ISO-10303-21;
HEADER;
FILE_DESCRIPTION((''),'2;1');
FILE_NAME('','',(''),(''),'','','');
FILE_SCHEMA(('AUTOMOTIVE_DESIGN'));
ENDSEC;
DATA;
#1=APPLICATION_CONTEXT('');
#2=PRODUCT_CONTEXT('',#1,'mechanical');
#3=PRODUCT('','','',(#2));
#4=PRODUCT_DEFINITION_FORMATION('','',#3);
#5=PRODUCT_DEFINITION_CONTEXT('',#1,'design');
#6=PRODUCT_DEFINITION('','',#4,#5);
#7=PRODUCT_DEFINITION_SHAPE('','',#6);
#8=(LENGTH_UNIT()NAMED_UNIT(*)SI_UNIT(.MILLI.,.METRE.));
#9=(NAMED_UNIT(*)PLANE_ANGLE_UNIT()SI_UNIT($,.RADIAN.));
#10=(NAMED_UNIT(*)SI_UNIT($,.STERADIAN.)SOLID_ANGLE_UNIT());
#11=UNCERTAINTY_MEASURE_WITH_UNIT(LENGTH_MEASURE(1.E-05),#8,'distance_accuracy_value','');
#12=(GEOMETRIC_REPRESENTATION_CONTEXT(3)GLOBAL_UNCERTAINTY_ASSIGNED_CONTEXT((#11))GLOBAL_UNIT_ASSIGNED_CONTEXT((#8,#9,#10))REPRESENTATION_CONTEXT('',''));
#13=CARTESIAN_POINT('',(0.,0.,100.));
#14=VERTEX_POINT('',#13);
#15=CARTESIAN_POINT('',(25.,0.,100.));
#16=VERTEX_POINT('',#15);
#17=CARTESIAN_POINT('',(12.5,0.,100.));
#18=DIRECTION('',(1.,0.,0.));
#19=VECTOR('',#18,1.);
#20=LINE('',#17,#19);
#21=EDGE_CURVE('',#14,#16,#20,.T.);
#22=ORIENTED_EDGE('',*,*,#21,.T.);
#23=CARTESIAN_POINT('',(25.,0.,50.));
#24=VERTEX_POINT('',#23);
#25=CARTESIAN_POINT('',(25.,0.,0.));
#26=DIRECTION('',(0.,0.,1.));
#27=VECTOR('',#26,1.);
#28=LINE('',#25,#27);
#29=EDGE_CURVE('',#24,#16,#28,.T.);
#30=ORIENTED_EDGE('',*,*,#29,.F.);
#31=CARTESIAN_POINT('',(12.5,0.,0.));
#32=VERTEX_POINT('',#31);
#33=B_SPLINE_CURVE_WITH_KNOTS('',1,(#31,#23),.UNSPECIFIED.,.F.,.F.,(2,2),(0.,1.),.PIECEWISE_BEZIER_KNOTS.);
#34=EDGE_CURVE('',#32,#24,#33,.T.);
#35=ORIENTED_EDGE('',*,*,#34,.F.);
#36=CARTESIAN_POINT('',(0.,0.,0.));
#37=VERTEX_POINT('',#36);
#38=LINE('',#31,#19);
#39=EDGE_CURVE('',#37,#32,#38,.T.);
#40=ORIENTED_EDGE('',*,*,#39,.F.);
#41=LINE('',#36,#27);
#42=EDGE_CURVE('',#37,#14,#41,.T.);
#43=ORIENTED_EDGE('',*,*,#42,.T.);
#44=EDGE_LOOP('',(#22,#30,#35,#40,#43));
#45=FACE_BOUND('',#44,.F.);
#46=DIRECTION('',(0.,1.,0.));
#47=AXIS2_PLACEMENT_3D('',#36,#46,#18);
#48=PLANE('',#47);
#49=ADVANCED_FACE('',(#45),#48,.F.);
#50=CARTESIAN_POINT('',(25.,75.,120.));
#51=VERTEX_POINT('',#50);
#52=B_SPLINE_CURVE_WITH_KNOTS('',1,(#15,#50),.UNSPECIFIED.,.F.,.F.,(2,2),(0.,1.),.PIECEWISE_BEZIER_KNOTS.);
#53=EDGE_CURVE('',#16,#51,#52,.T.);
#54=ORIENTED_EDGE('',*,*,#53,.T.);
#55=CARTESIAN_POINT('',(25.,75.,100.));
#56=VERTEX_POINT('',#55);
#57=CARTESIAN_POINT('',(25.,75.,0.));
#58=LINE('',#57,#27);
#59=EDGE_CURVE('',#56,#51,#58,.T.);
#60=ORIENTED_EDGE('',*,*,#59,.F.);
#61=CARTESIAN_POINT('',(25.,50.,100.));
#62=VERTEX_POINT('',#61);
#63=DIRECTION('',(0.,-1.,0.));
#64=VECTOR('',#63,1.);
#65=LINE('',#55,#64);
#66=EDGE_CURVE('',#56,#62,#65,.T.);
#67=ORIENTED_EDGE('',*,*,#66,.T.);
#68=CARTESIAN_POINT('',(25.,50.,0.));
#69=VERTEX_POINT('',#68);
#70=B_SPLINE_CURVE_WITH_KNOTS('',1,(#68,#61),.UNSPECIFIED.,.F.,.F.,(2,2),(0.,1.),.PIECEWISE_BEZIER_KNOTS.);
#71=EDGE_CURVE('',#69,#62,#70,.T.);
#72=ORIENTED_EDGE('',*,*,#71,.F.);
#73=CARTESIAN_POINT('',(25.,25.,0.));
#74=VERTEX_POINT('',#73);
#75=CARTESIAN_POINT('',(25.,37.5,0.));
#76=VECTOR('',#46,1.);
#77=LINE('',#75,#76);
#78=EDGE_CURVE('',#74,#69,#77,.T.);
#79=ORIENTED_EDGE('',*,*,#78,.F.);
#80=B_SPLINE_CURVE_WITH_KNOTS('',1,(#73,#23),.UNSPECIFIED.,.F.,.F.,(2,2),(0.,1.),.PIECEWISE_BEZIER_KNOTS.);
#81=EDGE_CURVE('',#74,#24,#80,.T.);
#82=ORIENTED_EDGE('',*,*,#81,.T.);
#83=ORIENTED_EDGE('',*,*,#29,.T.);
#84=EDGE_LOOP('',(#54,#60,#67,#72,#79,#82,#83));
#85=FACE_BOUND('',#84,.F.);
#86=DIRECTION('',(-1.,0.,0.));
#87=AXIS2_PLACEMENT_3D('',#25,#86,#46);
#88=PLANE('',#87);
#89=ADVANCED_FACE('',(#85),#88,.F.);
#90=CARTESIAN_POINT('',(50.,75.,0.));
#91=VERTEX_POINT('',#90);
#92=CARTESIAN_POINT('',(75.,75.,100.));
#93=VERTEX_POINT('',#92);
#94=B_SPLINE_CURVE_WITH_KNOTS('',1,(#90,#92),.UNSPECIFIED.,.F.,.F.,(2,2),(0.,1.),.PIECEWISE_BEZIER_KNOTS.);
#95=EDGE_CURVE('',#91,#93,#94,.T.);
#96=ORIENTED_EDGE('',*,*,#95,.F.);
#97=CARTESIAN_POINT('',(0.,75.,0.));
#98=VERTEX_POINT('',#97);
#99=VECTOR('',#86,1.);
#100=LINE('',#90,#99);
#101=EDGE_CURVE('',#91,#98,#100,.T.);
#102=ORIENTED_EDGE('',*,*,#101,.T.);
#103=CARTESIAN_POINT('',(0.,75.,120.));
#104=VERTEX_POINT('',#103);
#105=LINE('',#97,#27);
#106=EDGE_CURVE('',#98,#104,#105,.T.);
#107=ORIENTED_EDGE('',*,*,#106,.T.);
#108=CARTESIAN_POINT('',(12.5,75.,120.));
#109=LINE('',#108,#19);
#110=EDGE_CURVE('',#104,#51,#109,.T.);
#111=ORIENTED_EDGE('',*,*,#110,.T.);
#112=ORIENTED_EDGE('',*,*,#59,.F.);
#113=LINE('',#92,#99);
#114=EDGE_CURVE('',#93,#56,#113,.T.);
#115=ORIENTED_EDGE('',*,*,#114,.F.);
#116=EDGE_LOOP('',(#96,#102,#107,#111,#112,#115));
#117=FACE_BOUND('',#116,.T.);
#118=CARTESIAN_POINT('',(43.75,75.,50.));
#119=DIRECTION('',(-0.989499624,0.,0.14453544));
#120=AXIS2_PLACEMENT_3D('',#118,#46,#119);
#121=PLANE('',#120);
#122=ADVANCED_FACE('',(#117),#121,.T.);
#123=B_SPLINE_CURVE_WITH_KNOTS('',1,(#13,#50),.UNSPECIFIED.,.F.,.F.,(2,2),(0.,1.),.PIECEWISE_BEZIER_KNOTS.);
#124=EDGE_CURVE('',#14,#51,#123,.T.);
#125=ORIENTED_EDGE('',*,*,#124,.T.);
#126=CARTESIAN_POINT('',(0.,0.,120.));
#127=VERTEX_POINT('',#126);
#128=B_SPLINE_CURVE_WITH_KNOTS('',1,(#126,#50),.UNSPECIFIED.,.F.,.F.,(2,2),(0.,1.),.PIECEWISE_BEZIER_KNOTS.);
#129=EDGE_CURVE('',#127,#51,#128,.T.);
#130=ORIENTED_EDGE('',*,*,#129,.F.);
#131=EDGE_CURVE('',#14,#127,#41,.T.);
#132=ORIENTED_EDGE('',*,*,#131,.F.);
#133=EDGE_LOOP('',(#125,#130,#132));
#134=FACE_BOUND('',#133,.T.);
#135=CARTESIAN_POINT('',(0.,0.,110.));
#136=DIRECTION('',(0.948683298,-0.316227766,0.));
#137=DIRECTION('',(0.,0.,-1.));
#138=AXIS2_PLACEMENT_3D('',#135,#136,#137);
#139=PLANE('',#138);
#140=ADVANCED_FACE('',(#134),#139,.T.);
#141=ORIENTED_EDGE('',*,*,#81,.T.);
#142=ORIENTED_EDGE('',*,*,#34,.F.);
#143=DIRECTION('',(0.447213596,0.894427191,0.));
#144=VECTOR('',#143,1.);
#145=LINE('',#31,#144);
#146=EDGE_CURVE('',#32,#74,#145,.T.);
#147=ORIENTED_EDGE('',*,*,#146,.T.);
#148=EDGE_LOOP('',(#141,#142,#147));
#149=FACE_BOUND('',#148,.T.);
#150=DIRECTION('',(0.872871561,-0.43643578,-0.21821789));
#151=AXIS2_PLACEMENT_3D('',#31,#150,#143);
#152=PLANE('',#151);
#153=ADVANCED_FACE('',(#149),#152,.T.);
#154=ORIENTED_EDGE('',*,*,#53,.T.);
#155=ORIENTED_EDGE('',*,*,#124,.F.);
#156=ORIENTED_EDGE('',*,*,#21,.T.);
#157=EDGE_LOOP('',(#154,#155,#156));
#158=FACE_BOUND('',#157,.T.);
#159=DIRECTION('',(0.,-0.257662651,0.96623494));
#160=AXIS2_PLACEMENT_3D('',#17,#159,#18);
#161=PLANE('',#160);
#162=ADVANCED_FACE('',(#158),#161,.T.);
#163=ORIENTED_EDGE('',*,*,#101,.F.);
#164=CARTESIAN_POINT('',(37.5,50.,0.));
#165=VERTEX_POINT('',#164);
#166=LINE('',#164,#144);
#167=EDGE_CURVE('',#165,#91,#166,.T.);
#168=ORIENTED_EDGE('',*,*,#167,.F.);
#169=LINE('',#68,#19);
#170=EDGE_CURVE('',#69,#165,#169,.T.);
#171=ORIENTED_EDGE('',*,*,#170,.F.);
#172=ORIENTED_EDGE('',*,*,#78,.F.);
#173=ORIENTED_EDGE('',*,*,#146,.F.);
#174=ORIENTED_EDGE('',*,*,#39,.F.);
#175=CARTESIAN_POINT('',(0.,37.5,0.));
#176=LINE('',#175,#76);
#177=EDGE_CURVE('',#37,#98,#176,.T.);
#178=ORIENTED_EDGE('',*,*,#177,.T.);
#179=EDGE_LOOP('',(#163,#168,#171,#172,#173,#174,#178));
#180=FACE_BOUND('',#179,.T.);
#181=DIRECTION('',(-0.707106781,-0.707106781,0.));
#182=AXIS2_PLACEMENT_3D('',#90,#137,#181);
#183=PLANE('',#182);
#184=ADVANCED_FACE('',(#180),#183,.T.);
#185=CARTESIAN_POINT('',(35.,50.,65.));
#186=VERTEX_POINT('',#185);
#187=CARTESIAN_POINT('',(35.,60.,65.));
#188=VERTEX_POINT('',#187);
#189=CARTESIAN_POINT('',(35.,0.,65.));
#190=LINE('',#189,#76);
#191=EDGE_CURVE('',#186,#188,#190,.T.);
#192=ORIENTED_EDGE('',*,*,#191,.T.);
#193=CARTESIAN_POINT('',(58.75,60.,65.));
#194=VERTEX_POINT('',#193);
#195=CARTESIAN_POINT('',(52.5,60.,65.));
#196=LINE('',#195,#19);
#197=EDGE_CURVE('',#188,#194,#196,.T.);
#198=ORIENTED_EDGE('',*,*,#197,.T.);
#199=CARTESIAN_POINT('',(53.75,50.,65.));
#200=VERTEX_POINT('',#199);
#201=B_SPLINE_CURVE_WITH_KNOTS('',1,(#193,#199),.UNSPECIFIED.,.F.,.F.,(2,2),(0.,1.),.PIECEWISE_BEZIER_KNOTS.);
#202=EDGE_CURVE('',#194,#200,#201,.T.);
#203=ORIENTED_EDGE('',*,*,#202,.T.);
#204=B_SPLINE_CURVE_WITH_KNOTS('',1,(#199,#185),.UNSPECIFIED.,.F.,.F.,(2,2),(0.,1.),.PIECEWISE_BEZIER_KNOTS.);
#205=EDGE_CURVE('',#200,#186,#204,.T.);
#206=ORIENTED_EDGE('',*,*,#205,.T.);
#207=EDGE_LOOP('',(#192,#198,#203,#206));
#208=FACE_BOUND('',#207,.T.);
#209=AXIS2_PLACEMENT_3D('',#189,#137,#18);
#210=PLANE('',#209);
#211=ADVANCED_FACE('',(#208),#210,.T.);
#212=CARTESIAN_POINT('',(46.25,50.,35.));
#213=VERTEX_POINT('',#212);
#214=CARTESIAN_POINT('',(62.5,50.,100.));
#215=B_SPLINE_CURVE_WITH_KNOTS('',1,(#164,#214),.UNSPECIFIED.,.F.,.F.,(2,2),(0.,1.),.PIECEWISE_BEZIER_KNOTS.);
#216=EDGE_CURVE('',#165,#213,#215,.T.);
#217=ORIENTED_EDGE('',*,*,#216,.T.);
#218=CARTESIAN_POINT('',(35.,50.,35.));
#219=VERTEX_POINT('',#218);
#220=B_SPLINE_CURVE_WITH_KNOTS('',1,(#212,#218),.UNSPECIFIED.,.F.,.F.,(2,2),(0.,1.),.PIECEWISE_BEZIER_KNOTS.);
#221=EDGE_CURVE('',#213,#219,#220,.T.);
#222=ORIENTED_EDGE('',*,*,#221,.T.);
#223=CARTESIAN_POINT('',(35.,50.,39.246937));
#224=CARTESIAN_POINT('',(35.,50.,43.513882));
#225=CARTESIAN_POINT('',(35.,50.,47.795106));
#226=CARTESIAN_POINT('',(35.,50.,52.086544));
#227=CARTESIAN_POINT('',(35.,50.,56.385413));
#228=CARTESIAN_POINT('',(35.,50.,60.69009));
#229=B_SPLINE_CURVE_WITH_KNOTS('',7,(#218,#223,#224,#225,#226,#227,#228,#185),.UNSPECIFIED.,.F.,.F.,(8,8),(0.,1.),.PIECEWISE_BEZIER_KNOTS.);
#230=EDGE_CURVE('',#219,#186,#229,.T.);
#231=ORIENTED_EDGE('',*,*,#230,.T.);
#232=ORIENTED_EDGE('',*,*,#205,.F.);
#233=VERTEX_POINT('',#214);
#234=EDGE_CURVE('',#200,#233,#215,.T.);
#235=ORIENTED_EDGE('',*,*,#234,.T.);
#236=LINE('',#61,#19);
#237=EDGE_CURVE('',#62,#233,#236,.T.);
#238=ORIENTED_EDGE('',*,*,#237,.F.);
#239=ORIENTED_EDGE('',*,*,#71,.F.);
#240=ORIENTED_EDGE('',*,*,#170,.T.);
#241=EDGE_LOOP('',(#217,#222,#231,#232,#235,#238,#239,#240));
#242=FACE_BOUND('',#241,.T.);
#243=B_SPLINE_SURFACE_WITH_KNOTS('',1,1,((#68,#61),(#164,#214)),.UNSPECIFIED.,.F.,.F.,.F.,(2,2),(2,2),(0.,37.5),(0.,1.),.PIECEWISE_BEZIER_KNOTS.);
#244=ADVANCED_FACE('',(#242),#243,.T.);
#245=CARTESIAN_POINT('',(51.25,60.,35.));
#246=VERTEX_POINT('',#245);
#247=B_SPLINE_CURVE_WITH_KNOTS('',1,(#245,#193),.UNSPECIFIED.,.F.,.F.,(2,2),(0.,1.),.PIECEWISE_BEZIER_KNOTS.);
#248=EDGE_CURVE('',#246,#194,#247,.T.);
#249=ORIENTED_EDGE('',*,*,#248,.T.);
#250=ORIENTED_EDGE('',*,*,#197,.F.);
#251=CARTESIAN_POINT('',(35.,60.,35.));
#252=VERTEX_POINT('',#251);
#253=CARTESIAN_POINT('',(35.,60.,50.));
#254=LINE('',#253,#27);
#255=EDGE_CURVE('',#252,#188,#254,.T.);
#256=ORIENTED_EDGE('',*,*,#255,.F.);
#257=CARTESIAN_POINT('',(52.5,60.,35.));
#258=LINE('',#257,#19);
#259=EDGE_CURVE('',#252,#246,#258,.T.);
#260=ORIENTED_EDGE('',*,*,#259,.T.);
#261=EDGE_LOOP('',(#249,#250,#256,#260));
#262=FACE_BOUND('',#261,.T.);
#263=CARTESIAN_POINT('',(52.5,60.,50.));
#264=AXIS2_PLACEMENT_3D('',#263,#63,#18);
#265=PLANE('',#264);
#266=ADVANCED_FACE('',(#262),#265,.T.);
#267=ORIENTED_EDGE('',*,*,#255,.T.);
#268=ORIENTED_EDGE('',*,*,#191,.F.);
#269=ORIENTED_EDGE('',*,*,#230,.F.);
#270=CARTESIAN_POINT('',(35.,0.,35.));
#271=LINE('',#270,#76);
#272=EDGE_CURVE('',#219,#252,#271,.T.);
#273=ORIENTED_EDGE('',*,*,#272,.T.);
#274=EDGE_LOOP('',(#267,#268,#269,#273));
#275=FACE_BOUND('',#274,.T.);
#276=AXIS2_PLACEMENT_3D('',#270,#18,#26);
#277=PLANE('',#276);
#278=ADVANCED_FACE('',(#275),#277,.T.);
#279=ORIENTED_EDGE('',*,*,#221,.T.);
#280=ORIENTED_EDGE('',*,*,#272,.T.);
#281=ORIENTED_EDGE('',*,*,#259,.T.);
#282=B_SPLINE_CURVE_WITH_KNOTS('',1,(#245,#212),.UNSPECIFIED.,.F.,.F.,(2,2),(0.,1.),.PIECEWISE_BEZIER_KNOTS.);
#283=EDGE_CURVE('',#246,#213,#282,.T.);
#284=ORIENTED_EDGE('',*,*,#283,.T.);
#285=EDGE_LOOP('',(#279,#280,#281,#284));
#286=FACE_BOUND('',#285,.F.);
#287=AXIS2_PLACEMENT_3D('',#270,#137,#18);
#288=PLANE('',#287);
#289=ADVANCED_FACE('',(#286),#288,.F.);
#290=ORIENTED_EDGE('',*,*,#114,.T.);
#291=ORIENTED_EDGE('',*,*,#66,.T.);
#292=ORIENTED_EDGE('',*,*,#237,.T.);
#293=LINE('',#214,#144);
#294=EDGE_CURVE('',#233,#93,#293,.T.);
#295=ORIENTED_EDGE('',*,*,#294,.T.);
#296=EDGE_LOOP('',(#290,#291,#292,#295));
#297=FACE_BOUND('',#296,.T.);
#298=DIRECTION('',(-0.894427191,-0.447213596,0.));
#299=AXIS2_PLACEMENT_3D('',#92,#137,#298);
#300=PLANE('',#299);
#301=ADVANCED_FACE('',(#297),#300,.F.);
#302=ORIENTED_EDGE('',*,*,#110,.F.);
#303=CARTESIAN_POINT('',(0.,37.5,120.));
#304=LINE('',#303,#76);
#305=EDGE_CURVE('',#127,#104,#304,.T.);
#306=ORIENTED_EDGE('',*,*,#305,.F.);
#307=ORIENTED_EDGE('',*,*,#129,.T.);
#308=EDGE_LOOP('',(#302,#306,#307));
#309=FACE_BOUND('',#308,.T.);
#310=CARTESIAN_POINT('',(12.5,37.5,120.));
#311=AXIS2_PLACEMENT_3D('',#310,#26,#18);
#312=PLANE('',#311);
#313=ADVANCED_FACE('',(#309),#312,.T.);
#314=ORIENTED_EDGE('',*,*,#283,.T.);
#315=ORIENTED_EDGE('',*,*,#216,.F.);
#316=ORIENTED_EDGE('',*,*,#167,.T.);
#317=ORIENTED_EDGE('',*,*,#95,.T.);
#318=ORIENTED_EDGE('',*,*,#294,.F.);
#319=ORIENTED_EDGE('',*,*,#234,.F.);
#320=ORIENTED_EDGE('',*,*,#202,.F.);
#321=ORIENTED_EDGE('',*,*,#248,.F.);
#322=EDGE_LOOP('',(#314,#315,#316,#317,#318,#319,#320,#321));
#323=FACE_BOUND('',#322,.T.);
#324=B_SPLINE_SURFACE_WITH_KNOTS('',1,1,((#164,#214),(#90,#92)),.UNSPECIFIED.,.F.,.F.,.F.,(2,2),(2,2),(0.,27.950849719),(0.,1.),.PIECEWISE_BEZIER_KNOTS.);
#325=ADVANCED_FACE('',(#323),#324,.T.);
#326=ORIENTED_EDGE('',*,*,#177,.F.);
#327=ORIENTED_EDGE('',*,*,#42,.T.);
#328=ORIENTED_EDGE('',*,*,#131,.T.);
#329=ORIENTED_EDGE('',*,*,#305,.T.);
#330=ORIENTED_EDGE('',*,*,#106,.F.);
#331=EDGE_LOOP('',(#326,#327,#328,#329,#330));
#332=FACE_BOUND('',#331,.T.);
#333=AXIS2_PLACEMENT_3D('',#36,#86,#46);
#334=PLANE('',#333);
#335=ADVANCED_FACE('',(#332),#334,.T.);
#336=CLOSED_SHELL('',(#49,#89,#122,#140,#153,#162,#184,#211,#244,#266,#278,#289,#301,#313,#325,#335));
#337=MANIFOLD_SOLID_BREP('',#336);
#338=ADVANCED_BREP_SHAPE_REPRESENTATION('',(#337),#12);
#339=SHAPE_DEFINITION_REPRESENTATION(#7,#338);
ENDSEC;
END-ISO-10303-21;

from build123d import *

# Parameters (mm, degrees)
F0_W      = 25
F0_H      = 75
F1_DEPTH  = 120
F6_W      = 25
F6_H      = 20
F12_W     = 35
F12_H     = 30
F13_DEPTH = 60


with BuildPart() as f1:
    # F0 (on Top) → F1 (new body)
    with BuildSketch(Plane.XY):
        with Locations((12.5, 37.5)):
            Rectangle(F0_W, F0_H)
    extrude(amount=F1_DEPTH)

    # F2 (on Top) → F5 section 0
    with BuildSketch(Plane.XY):
        Polygon((50, 75), (25, 75), (25, 50), (37.5, 50), align=None)
    # F4 (on offset) → F5 section 1
    with BuildSketch(Plane.XY.offset(100)):
        Polygon((75, 75), (25, 75), (25, 50), (62.5, 50), align=None)
    loft()

    # F6 (on face) → F8 section 0
    with BuildSketch(Plane.XZ, mode=Mode.PRIVATE) as f8_s0:
        with Locations((12.5, 110)):
            Rectangle(F6_W, F6_H)
    loft([f8_s0.sketch, Vertex(25, 75, 120)], mode=Mode.SUBTRACT)

    # F9 (on face) → F11 section 0
    with BuildSketch(Plane(origin=(0, 0, 0), x_dir=(1, 0, 0), z_dir=(0, 0, -1)), mode=Mode.PRIVATE) as f11_s0:
        Polygon((25, 0), (12.5, 0), (25, -25), align=None)
    loft([f11_s0.sketch, Vertex(25, 0, 50)], mode=Mode.SUBTRACT)

    # F12 (on face) → F13 (cut)
    with BuildSketch(Plane.XZ):
        with Locations((52.5, 50)):
            Rectangle(F12_W, F12_H)
    extrude(amount=-F13_DEPTH, mode=Mode.SUBTRACT)


solid = f1.part
